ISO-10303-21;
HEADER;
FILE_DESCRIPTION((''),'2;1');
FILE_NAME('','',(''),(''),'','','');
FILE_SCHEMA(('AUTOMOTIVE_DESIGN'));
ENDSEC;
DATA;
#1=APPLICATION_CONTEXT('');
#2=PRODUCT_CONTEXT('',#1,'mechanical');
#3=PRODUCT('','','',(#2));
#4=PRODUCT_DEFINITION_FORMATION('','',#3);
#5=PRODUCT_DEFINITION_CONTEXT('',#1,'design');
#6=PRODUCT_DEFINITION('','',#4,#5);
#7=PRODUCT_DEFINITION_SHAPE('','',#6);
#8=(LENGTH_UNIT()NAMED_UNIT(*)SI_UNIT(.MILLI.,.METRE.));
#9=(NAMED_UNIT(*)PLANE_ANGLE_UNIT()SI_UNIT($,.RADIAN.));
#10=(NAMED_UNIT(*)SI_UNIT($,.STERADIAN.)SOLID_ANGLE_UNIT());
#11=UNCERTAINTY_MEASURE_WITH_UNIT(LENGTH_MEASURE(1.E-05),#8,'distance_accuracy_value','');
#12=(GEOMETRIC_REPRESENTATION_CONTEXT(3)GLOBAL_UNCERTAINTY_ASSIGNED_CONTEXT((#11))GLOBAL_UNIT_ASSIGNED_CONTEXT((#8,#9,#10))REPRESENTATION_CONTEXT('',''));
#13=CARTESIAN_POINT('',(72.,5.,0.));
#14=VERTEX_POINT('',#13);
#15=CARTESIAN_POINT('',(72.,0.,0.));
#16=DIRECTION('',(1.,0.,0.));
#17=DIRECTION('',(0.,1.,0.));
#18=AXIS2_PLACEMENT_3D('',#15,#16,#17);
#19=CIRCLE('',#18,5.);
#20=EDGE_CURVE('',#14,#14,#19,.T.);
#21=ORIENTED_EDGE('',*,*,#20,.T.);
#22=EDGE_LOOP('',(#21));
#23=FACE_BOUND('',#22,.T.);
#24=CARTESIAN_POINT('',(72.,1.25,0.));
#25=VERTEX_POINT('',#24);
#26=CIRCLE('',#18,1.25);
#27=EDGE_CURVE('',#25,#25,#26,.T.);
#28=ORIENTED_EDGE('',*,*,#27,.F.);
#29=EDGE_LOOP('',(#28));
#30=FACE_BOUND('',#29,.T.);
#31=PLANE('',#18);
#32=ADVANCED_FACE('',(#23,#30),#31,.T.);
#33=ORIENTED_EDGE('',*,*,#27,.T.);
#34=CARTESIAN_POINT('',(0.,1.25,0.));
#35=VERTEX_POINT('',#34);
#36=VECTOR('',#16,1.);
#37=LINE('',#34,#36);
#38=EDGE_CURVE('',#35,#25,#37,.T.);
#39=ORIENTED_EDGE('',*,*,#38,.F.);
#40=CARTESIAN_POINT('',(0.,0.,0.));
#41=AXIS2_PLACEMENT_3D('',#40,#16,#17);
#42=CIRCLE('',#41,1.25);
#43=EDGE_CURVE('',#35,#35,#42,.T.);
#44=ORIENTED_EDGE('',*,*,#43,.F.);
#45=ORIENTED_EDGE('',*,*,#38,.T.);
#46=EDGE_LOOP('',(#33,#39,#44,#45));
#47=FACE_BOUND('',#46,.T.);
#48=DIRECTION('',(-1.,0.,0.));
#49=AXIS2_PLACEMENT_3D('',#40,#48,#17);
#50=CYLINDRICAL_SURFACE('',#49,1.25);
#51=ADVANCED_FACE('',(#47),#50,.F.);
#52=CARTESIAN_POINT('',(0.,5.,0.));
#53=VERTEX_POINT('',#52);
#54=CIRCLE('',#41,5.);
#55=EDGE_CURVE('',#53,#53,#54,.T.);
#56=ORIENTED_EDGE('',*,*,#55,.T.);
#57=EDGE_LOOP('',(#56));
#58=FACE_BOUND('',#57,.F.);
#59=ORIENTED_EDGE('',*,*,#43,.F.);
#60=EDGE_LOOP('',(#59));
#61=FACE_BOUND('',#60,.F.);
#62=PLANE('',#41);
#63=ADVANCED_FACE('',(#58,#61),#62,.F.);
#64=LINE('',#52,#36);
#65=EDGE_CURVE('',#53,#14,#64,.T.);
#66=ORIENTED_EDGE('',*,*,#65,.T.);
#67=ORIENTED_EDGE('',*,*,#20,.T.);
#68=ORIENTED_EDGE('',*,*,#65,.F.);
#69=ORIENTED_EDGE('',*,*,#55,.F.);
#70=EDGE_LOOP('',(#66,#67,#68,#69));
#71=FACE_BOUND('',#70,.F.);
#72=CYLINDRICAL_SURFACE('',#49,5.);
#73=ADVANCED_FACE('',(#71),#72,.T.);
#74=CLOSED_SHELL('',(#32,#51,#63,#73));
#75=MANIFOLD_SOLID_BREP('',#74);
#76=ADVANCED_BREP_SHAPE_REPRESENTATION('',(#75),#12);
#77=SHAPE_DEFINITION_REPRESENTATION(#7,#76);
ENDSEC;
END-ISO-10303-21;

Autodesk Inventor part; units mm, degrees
ref_plane "YZ Plane" through (0, 0, 0) normal (1, 0, 0) x (0, 1, 0)
ref_plane "XZ Plane" through (0, 0, 0) normal (0, 1, 0) x (-1, 0, 0)
ref_plane "XY Plane" through (0, 0, 0) normal (0, 0, 1) x (1, 0, 0)
sketch "スケッチ1" plane through (0, 0, 0) normal (1, 0, 0) x (0, 1, 0)
  circle A0 centre (0, 0) radius 5
  circle A1 centre (0, 0) radius 1.25
  dimension "d0" = 10
  dimension "d1" = 2.5
extrude "押し出し1" add sketch "スケッチ1" along normal blind 72
properties part number "hand-grab-v5-shaft-1" material "アルミニウム 6061"
